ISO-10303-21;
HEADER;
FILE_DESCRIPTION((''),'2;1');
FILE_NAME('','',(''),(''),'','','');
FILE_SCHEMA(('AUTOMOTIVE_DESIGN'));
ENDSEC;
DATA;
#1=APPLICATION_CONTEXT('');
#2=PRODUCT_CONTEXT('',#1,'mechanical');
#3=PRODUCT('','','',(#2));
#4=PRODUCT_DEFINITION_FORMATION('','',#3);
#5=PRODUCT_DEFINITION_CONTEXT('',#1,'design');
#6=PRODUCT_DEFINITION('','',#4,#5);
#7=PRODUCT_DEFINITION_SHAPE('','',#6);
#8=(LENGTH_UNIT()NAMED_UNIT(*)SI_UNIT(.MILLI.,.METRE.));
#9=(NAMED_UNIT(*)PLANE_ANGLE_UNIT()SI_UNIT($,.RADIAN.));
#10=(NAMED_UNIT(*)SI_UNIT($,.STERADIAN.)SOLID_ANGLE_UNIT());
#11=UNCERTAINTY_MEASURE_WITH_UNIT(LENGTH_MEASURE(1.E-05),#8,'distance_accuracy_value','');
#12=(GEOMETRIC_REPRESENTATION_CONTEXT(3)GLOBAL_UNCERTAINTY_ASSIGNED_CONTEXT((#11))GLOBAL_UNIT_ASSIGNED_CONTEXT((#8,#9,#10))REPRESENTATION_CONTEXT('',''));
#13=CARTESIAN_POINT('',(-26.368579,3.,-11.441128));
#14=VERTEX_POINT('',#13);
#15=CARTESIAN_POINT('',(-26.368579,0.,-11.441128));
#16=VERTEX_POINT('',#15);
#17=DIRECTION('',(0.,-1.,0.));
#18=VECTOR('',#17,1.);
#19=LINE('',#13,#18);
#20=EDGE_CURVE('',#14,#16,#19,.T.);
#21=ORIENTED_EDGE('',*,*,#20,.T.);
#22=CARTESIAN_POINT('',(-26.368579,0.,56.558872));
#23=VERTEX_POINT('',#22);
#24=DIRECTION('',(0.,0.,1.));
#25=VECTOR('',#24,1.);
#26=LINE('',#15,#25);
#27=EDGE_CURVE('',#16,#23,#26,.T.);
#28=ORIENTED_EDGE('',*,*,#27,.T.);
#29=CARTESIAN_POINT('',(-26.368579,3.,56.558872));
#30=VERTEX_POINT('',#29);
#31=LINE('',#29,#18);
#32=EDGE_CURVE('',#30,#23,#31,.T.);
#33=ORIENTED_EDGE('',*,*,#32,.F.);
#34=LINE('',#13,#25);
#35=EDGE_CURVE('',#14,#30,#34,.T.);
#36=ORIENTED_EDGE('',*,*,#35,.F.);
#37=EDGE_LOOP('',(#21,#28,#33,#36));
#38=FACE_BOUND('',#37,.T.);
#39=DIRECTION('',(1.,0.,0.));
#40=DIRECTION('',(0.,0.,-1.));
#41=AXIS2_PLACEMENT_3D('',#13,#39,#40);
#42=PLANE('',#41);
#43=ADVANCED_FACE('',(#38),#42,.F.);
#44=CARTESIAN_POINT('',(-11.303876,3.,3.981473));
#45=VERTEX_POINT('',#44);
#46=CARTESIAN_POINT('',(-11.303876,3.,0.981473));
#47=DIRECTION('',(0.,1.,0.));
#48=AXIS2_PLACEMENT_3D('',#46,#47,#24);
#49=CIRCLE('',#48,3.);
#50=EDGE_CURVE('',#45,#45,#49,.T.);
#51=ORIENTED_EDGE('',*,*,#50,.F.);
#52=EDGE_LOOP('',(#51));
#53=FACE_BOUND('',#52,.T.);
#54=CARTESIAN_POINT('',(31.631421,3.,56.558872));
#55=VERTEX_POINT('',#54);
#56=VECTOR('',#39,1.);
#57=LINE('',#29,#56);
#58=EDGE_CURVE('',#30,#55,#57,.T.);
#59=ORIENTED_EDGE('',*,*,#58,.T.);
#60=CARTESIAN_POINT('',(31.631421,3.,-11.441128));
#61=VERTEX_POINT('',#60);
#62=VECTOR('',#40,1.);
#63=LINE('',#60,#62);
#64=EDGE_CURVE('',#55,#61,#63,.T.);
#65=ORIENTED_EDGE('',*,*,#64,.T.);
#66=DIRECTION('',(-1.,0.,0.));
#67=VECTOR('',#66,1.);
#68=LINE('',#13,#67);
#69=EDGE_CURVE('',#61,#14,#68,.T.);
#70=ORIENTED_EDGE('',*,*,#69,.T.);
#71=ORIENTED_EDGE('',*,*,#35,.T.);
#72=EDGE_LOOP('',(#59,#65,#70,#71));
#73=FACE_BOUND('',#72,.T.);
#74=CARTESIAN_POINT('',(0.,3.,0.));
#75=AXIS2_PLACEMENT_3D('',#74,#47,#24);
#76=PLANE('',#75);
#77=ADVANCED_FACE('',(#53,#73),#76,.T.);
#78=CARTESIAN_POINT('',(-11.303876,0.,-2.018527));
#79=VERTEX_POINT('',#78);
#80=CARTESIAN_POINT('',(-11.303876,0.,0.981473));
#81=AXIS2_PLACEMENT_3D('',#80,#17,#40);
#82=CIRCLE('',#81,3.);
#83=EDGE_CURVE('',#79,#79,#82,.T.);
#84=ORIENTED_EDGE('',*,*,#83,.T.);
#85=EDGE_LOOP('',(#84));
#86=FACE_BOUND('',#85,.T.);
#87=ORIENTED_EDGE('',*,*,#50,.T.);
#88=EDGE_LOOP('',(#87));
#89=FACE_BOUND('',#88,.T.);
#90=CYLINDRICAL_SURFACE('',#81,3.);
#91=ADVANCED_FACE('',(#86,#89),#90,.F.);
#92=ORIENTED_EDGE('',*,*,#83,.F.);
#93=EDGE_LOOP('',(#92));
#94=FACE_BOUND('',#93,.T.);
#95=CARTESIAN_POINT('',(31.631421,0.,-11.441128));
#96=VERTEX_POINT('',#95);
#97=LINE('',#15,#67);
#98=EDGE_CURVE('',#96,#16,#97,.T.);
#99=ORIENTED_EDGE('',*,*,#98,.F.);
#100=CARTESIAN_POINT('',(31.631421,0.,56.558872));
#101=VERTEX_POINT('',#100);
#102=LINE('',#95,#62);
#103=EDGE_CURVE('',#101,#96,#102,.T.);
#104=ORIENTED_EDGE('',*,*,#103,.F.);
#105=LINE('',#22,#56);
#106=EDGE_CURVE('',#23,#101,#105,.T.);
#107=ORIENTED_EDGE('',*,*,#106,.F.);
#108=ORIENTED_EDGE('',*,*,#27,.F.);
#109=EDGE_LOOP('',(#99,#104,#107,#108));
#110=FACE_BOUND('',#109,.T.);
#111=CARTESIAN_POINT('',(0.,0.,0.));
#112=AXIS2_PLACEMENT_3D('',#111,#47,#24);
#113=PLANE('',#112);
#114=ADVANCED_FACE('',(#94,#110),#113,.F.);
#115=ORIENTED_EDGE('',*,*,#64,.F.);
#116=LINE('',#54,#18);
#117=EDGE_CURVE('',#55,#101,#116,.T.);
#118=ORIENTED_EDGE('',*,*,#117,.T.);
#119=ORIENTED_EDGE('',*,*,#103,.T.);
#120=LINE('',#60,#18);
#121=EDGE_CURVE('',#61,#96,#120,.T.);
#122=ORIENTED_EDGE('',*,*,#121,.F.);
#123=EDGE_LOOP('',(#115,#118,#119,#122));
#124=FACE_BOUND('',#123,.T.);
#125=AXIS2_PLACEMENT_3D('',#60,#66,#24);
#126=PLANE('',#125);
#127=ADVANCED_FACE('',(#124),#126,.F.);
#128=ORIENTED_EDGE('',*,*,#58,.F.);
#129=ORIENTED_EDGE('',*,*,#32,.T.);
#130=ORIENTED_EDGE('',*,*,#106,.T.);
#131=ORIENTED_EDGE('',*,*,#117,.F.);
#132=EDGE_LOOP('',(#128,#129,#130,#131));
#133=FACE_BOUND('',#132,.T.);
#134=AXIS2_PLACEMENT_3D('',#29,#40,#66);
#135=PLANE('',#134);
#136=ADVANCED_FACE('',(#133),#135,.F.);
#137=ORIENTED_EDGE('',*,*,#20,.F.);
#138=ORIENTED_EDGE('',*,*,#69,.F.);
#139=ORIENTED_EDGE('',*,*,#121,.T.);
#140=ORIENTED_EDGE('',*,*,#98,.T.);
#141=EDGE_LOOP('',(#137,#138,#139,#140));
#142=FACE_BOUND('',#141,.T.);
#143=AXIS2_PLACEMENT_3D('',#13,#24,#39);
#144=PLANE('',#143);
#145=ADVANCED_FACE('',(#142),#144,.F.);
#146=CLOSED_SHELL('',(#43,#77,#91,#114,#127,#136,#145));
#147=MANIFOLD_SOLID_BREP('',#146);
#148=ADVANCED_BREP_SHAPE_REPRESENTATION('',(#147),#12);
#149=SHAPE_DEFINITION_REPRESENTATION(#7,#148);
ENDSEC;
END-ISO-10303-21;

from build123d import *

# Parameters (mm, degrees)
SKETCH1_W                 = 58
SKETCH1_H                 = 68
BOSS_EXTRUDE1_DEPTH       = 3
F_6_0MM_DOWEL_HOLE1_D     = 6
F_6_0MM_DOWEL_HOLE1_DEPTH = 3


with BuildPart() as part:
    # Sketch1 → Boss-Extrude1 (new body)
    with BuildSketch(Plane(origin=(0, 0, 0), x_dir=(1, 0, 0), z_dir=(0, 1, 0))):
        with Locations((2.631421053, -22.558871845)):
            Rectangle(SKETCH1_W, SKETCH1_H)
    extrude(amount=BOSS_EXTRUDE1_DEPTH)

    # Ø6.0mm Dowel Hole1
    with Locations(Plane(origin=(0, 0, 0), x_dir=(-1, 0, 0), z_dir=(0, -1, 0))):
        with Locations((11.303876488, -0.981472803)):
            Hole(F_6_0MM_DOWEL_HOLE1_D / 2, depth=F_6_0MM_DOWEL_HOLE1_DEPTH)


solid = part.part
